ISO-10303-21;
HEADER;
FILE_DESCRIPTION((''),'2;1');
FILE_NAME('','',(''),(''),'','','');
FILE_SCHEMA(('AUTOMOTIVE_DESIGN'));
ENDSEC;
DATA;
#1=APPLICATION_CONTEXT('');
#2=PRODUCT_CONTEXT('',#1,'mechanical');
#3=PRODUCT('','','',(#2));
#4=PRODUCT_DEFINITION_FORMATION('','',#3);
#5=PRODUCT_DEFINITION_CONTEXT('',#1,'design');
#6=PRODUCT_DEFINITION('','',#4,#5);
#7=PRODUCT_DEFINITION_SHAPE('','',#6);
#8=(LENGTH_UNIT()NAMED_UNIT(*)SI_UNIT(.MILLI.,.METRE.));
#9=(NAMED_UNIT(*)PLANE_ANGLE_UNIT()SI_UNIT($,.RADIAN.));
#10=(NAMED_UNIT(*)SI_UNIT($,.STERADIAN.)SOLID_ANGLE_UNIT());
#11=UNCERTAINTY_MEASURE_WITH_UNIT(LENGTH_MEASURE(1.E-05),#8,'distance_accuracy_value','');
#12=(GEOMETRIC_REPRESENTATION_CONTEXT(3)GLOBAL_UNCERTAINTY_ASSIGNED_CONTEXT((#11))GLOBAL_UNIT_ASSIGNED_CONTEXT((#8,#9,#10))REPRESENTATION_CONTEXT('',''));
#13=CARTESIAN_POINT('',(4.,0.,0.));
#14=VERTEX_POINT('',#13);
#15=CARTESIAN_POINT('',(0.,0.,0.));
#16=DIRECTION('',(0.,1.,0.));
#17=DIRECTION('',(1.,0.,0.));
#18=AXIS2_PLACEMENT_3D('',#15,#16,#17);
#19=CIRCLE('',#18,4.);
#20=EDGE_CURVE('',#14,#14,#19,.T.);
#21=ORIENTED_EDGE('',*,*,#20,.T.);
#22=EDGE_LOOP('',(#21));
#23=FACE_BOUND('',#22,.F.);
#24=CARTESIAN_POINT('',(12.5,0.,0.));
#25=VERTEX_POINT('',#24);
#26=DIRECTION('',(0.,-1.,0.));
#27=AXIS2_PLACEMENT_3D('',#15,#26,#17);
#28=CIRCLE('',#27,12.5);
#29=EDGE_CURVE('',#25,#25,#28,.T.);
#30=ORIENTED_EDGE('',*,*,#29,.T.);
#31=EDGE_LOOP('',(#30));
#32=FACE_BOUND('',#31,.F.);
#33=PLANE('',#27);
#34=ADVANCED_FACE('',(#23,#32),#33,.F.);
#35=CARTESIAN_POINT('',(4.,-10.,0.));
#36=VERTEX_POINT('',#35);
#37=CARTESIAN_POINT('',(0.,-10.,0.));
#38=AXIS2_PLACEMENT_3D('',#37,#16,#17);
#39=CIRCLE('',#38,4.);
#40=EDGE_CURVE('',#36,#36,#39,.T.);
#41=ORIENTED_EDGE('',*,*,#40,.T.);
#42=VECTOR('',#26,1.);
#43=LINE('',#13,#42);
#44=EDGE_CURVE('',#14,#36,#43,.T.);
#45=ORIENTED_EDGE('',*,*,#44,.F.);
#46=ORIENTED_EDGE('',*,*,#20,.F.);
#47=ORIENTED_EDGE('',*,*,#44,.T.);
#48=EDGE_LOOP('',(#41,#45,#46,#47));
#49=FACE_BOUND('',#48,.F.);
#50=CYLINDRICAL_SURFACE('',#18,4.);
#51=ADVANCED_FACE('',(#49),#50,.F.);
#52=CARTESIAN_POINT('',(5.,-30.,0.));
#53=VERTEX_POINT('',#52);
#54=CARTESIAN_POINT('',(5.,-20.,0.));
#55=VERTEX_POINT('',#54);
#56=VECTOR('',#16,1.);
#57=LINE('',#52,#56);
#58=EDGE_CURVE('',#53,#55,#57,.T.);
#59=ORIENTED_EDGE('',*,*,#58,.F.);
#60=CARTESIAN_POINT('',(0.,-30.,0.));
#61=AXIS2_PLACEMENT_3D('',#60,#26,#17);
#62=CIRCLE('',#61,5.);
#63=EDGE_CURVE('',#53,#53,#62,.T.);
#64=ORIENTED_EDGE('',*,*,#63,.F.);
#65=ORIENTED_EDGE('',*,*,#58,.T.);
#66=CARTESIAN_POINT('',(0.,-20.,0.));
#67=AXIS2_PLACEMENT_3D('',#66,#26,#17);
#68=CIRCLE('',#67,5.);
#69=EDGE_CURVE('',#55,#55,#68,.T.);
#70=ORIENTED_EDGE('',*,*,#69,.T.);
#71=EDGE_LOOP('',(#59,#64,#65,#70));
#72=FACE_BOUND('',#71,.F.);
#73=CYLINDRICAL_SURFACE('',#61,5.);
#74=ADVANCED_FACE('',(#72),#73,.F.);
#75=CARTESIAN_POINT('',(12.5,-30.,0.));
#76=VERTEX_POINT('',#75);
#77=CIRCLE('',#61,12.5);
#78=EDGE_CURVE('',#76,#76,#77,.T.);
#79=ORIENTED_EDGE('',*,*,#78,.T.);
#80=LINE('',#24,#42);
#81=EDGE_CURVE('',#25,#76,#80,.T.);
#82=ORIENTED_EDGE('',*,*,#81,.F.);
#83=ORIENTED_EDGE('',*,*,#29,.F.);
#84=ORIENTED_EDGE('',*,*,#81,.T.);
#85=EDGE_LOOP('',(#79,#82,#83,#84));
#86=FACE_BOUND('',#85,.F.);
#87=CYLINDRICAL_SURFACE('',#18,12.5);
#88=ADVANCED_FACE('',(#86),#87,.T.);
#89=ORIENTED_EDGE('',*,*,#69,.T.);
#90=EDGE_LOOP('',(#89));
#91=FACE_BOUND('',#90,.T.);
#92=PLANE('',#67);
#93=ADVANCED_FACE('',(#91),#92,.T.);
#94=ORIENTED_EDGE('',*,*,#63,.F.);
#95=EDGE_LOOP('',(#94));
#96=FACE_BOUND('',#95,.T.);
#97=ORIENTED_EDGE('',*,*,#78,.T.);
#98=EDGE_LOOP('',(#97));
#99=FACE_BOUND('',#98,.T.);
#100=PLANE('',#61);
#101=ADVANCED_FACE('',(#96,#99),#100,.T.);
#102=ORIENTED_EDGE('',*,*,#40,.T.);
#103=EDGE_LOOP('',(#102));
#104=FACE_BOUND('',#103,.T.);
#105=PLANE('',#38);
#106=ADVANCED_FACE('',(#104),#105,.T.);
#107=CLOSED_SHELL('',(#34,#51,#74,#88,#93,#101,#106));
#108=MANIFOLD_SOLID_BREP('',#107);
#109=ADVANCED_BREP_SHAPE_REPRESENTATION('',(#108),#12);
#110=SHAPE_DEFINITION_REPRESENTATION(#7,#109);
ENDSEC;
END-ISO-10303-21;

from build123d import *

# Parameters (mm, degrees)
SKETCH_R        = 12.5
PAD_DEPTH       = 30
SKETCH001_R     = 5
POCKET_DEPTH    = 10
SKETCH002_R     = 4
POCKET001_DEPTH = 10


with BuildPart() as part:
    # Sketch → Pad (new body)
    with BuildSketch(Plane.XZ):
        Circle(SKETCH_R)
    extrude(amount=PAD_DEPTH)

    # Sketch001 (on Face3 of Pad) → Pocket (cut)
    with BuildSketch(Plane.XZ.offset(30)):
        Circle(SKETCH001_R)
    extrude(amount=-POCKET_DEPTH, mode=Mode.SUBTRACT)

    # Sketch002 (on Face2 of Pocket) → Pocket001 (cut)
    with BuildSketch(Plane(origin=(0, 0, 0), x_dir=(1, 0, 0), z_dir=(0, 1, 0))):
        Circle(SKETCH002_R)
    extrude(amount=-POCKET001_DEPTH, mode=Mode.SUBTRACT)


solid = part.part
